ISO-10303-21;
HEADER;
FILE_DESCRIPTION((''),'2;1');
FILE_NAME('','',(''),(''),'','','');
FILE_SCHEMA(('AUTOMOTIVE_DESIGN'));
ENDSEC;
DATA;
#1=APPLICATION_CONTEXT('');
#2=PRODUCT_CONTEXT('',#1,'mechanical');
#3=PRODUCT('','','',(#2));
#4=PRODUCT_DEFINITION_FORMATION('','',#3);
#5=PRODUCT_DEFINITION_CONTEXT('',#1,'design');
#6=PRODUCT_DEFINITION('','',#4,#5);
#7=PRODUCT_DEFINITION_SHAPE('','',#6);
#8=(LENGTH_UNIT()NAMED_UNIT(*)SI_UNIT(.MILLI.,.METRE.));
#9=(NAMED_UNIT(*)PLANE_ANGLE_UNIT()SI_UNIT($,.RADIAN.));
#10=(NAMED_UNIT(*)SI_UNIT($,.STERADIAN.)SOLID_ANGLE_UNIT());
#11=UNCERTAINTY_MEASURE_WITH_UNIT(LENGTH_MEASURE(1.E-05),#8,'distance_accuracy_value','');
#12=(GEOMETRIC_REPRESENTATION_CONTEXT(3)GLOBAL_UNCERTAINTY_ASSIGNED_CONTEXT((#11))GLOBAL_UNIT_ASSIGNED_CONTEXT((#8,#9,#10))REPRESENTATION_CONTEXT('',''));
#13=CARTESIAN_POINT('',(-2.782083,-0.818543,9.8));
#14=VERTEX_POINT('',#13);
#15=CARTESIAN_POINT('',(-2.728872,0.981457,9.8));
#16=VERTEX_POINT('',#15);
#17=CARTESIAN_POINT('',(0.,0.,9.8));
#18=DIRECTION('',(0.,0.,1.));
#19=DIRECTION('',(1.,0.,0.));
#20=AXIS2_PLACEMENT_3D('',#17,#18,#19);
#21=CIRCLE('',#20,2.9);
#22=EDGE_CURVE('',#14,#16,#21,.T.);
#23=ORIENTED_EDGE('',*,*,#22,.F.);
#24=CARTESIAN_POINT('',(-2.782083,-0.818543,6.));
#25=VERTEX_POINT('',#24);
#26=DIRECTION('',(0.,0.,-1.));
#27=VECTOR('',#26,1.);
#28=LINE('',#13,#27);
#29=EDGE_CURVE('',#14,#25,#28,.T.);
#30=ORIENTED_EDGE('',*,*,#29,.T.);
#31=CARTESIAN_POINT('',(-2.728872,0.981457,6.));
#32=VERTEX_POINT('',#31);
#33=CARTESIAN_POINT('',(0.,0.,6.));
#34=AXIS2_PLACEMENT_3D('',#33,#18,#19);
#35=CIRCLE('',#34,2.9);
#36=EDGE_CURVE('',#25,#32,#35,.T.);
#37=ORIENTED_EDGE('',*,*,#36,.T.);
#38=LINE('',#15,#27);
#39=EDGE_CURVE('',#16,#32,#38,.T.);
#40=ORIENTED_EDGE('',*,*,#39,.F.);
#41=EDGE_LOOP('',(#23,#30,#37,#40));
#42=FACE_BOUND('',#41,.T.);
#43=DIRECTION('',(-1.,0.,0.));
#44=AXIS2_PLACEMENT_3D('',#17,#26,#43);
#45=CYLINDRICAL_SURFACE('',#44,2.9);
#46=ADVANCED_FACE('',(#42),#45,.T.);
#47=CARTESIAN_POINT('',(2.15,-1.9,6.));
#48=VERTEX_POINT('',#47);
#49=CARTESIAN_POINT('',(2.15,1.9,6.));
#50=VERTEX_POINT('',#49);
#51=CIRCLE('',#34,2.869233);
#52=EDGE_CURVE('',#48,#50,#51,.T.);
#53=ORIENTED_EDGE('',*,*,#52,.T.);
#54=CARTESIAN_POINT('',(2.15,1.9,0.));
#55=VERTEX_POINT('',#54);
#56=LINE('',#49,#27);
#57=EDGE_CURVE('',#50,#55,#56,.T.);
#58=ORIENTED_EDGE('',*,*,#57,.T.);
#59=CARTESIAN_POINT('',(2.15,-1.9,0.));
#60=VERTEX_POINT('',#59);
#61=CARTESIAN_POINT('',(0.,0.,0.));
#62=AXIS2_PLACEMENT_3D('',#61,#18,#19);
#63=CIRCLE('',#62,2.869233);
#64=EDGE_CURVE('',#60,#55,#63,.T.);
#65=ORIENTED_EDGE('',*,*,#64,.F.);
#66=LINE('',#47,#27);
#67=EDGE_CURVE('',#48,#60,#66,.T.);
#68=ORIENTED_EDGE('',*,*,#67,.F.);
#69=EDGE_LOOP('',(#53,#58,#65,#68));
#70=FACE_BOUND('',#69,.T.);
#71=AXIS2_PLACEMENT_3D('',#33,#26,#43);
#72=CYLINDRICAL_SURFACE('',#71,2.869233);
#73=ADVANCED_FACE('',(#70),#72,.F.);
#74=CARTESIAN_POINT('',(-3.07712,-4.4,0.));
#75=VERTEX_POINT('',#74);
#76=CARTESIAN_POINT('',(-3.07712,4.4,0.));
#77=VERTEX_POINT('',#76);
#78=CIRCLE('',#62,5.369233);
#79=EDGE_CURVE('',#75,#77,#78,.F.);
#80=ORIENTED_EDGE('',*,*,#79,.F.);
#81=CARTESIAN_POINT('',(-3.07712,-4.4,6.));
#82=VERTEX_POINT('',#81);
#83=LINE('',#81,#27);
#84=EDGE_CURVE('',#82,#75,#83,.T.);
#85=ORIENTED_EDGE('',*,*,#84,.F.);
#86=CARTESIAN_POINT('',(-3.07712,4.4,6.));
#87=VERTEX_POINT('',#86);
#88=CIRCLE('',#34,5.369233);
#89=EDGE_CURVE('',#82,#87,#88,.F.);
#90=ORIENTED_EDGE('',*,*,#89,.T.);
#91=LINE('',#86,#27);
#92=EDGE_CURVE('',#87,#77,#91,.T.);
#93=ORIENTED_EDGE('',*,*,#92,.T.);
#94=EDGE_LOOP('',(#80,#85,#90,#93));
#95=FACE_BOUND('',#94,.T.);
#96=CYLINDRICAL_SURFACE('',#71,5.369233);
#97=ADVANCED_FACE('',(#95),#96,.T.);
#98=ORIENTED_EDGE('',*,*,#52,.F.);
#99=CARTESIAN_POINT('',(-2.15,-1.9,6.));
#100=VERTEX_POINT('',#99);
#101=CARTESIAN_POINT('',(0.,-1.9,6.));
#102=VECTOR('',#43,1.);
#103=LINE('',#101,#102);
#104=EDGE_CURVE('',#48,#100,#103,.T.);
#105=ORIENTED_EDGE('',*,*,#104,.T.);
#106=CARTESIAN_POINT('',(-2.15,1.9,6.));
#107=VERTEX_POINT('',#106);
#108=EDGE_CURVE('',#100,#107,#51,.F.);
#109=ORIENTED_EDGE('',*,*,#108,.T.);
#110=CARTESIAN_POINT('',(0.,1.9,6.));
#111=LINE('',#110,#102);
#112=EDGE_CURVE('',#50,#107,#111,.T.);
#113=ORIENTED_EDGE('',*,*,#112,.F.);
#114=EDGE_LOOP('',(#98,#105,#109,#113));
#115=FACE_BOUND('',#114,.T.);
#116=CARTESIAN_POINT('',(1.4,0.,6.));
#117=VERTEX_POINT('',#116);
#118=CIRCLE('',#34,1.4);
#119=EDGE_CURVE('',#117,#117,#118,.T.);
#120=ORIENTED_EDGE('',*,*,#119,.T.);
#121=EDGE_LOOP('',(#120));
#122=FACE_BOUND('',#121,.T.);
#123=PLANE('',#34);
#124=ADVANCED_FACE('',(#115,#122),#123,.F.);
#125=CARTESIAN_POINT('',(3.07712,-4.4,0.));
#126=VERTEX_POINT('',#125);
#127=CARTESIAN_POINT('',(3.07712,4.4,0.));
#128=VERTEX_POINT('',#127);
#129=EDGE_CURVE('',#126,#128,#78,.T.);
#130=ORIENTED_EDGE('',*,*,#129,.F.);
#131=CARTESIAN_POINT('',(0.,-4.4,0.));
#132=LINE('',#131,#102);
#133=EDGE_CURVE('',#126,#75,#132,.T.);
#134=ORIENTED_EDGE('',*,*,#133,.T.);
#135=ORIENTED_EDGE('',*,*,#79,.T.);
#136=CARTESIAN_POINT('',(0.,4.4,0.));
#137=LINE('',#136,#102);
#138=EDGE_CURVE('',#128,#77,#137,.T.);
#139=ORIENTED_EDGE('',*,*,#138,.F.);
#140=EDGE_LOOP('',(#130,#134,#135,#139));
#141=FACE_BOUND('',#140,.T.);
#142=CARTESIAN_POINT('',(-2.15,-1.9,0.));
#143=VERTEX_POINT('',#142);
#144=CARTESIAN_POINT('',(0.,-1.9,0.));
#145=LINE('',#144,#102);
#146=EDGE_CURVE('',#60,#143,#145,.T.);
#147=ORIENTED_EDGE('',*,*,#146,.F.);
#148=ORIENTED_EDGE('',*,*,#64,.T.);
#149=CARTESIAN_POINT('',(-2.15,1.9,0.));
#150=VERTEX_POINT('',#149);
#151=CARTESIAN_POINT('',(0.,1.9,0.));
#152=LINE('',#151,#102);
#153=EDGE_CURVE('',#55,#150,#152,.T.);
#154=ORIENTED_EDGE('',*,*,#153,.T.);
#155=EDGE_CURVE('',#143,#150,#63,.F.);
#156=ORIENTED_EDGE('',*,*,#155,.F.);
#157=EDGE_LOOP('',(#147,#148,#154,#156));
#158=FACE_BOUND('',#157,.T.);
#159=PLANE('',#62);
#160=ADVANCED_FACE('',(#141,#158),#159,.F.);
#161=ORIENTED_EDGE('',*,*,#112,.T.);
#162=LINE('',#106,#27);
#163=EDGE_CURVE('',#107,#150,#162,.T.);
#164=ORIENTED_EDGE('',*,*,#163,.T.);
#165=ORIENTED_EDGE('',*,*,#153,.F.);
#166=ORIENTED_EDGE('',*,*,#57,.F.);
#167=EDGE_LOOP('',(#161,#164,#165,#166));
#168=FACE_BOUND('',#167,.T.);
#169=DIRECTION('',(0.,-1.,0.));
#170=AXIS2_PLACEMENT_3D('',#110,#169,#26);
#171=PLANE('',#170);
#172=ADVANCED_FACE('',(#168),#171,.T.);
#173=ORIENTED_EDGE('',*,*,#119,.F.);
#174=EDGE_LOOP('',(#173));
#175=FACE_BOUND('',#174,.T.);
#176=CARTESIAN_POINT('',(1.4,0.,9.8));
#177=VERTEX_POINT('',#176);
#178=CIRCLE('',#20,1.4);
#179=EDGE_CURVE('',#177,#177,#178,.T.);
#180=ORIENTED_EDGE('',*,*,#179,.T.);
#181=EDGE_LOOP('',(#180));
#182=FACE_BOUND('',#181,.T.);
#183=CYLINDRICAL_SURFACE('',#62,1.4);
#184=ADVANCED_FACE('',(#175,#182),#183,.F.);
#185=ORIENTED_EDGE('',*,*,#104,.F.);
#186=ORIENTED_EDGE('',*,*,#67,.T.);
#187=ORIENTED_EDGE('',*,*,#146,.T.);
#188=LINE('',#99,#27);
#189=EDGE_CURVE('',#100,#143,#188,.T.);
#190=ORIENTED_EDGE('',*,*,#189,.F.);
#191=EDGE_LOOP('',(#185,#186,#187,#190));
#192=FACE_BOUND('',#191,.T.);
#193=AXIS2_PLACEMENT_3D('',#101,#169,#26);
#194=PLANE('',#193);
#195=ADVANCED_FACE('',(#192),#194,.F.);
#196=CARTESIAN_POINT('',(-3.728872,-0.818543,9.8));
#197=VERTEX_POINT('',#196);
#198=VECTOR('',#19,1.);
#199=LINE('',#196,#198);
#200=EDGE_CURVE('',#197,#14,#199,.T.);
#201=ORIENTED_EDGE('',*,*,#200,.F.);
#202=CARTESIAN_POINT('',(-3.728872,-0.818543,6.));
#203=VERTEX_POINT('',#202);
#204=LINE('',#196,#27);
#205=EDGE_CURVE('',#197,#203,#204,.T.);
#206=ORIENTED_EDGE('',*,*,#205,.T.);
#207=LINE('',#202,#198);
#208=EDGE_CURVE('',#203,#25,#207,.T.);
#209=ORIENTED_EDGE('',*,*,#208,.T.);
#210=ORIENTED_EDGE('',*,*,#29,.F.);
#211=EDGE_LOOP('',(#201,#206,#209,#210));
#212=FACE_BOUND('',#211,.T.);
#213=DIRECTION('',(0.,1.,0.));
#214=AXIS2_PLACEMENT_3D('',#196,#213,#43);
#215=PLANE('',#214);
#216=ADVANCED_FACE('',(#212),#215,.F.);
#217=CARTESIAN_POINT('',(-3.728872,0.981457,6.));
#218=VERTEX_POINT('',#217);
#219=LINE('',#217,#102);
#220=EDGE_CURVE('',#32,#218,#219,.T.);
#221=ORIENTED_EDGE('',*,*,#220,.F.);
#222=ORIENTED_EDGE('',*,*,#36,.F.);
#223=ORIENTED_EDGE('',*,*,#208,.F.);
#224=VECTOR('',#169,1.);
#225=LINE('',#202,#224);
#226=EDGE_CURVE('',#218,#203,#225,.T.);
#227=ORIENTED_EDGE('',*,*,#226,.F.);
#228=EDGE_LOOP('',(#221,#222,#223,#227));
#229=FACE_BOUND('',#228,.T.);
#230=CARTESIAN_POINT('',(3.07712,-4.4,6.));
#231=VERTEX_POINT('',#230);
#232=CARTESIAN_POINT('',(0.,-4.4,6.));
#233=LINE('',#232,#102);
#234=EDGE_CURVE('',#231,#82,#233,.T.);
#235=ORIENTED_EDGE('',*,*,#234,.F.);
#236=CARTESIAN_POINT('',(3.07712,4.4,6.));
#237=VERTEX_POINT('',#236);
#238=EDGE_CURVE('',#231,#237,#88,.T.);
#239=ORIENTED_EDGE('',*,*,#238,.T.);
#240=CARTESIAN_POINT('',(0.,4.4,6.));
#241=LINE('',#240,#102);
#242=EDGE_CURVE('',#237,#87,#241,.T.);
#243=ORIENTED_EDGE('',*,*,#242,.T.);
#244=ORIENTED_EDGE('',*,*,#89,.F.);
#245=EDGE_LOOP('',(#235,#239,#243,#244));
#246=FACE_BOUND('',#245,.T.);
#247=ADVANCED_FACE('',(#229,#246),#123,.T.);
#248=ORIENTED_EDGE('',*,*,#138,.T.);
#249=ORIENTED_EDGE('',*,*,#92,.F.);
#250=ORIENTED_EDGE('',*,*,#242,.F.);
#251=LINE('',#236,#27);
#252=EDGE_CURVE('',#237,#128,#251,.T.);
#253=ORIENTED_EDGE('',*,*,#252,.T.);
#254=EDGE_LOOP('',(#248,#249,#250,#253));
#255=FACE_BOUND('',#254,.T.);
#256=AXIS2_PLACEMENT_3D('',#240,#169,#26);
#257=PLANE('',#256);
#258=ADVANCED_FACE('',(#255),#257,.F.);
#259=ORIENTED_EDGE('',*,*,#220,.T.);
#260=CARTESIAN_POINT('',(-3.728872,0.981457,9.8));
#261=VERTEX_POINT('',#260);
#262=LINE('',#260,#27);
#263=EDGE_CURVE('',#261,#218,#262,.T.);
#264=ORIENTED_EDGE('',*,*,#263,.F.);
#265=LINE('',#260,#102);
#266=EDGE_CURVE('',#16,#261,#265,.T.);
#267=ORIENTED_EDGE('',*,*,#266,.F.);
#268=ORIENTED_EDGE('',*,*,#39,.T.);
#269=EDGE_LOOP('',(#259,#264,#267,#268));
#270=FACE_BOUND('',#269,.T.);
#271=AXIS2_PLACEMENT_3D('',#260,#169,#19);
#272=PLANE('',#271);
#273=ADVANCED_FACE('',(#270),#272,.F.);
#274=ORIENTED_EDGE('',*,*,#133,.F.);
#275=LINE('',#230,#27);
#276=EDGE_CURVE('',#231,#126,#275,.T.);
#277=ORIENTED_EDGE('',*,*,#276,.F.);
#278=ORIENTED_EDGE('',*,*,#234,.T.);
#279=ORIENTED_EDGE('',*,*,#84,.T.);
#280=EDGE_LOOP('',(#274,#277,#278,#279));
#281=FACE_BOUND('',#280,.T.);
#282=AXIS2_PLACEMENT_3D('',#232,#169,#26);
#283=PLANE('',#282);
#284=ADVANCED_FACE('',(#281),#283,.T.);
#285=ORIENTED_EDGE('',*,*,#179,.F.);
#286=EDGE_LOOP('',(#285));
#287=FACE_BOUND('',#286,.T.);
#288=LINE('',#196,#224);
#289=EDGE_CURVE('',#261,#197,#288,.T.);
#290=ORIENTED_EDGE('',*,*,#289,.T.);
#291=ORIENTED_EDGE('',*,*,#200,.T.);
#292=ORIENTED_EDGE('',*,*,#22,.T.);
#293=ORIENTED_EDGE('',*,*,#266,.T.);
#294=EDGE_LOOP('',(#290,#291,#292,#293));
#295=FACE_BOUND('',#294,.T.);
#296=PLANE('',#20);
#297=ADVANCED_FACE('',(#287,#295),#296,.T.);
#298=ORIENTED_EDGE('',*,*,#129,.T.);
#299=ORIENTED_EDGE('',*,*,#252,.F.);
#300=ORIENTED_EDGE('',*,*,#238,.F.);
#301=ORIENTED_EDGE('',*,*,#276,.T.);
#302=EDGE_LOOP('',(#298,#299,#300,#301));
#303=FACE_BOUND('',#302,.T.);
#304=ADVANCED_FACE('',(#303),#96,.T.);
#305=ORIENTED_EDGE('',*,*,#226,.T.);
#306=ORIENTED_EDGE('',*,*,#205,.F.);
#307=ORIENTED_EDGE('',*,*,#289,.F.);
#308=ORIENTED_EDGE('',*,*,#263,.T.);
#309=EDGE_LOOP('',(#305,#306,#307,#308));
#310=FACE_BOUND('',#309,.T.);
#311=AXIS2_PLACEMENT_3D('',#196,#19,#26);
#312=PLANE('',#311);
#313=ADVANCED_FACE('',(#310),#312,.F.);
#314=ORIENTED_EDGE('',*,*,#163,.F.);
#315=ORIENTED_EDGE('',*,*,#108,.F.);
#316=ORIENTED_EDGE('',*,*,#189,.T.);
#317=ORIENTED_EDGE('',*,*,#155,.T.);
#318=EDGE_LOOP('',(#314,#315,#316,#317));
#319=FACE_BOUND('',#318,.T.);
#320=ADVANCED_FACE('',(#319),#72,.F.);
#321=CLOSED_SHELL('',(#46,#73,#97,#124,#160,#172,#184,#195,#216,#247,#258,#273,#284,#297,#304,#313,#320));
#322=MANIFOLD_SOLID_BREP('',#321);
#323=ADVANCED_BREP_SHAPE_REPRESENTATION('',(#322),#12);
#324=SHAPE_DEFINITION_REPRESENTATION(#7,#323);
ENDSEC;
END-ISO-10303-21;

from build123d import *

# Parameters (mm, degrees)
BOSS_EXTRUDE1_DEPTH = 6
BOSS_EXTRUDE2_DEPTH = 3.8
SKETCH3_R           = 1.4
CUT_EXTRUDE1_DEPTH  = 13.009524001


with BuildPart() as part:
    # Sketch1 → Boss-Extrude1 (new body)
    with BuildSketch(Plane(origin=(0, 0, 0), x_dir=(0, 1, 0), z_dir=(0, 0, 1))):
        with BuildLine():
            Line((-4.4, -3.077119877), (-4.4, 3.077119877))
            ThreePointArc((-4.4, 3.077119877), (0, 5.369233347), (4.4, 3.077119877))
            Line((4.4, 3.077119877), (4.4, -3.077119877))
            ThreePointArc((4.4, -3.077119877), (0, -5.369233347), (-4.4, -3.077119877))
        make_face()
        with BuildLine():
            ThreePointArc((-1.9, -2.15), (0, -2.869233347), (1.9, -2.15))
            Line((1.9, -2.15), (1.9, 2.15))
            ThreePointArc((1.9, 2.15), (0, 2.869233347), (-1.9, 2.15))
            Line((-1.9, 2.15), (-1.9, -2.15))
        make_face(mode=Mode.SUBTRACT)
    extrude(amount=BOSS_EXTRUDE1_DEPTH)

    # Sketch2 → Boss-Extrude2 (add)
    with BuildSketch(Plane.XY.offset(6)):
        with BuildLine():
            Line((-3.728872107, -0.818543418), (-3.728872107, 0.981456582))
            Line((-3.728872107, 0.981456582), (-2.728872107, 0.981456582))
            ThreePointArc((-2.728872107, 0.981456582), (2.898733684, -0.085691473), (-2.782083153, -0.818543418))
            Line((-2.782083153, -0.818543418), (-3.728872107, -0.818543418))
        make_face()
    extrude(amount=BOSS_EXTRUDE2_DEPTH)

    # Sketch3 → Cut-Extrude1 (cut, through all)
    with BuildSketch(Plane.XY.offset(9.8)):
        Circle(SKETCH3_R)
    extrude(amount=-CUT_EXTRUDE1_DEPTH, mode=Mode.SUBTRACT)


solid = part.part
